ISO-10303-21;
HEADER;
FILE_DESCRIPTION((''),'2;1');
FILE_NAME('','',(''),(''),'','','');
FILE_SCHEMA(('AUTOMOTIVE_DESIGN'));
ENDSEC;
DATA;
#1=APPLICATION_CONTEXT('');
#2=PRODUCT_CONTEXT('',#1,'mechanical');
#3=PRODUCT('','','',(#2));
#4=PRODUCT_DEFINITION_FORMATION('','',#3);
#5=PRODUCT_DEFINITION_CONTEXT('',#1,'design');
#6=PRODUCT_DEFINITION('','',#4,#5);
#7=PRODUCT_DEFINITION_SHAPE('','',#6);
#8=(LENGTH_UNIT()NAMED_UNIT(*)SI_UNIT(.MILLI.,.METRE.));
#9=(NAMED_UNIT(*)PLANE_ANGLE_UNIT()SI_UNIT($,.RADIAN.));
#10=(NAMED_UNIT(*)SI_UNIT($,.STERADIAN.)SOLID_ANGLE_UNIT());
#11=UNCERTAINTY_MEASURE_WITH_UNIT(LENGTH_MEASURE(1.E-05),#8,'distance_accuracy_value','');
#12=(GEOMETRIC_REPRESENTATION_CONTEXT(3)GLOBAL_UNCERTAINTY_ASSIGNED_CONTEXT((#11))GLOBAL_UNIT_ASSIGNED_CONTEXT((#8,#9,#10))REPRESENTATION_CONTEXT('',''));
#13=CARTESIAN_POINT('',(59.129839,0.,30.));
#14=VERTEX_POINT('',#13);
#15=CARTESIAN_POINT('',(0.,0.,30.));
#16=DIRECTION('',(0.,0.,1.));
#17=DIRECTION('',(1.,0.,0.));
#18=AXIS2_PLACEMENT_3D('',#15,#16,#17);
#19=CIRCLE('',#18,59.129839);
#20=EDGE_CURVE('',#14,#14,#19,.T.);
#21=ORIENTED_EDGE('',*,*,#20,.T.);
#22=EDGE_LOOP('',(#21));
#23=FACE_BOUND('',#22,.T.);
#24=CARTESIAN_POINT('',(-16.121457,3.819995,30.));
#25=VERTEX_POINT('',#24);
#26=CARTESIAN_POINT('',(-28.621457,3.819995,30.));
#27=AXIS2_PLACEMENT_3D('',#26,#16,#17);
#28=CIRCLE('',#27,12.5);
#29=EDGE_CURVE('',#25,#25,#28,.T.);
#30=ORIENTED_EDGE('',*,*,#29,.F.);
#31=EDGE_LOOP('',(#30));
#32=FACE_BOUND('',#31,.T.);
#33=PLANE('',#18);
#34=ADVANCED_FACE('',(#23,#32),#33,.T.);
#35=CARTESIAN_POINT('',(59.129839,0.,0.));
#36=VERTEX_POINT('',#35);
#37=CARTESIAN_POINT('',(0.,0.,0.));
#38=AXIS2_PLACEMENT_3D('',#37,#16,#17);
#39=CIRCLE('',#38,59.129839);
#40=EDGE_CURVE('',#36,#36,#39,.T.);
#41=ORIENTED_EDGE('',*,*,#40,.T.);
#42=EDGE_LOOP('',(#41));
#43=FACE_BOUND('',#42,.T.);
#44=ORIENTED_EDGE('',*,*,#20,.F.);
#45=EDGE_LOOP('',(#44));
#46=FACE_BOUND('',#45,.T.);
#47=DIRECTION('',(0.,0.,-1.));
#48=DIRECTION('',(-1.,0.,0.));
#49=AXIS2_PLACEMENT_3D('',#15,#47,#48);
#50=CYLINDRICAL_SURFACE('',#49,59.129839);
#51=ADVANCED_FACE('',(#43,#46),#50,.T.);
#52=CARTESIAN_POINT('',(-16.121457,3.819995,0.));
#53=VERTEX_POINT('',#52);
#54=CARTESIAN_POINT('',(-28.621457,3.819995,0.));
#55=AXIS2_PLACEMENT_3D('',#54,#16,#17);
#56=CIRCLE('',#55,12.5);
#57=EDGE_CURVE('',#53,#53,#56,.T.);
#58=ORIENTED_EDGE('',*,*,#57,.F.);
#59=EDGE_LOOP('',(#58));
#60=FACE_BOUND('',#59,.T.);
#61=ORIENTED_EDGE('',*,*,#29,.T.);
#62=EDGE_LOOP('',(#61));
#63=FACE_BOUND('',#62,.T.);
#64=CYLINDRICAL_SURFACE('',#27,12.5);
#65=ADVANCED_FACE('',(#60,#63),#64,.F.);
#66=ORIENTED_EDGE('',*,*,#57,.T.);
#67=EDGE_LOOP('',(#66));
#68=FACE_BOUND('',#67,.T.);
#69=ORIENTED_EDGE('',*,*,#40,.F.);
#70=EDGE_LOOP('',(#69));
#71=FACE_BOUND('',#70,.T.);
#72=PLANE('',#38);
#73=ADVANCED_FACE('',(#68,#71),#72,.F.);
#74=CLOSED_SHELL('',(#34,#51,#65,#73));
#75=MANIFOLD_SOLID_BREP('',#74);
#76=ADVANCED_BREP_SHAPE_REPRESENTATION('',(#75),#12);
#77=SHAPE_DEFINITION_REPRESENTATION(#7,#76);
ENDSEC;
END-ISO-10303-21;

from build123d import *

# Parameters (mm, degrees)
SKETCH1_R              = 59.129838757
BOSS_EXTRUDE1_DEPTH    = 30
F_25_0MM_DOWEL_HOLE1_D = 25


with BuildPart() as part:
    # Sketch1 → Boss-Extrude1 (new body)
    with BuildSketch(Plane.XY):
        Circle(SKETCH1_R)
    extrude(amount=BOSS_EXTRUDE1_DEPTH)

    # Ø25.0mm Dowel Hole1 (through all)
    with Locations(Plane.XY.offset(30)):
        with Locations((-28.621457158, 3.819995278)):
            Hole(F_25_0MM_DOWEL_HOLE1_D / 2)


solid = part.part
